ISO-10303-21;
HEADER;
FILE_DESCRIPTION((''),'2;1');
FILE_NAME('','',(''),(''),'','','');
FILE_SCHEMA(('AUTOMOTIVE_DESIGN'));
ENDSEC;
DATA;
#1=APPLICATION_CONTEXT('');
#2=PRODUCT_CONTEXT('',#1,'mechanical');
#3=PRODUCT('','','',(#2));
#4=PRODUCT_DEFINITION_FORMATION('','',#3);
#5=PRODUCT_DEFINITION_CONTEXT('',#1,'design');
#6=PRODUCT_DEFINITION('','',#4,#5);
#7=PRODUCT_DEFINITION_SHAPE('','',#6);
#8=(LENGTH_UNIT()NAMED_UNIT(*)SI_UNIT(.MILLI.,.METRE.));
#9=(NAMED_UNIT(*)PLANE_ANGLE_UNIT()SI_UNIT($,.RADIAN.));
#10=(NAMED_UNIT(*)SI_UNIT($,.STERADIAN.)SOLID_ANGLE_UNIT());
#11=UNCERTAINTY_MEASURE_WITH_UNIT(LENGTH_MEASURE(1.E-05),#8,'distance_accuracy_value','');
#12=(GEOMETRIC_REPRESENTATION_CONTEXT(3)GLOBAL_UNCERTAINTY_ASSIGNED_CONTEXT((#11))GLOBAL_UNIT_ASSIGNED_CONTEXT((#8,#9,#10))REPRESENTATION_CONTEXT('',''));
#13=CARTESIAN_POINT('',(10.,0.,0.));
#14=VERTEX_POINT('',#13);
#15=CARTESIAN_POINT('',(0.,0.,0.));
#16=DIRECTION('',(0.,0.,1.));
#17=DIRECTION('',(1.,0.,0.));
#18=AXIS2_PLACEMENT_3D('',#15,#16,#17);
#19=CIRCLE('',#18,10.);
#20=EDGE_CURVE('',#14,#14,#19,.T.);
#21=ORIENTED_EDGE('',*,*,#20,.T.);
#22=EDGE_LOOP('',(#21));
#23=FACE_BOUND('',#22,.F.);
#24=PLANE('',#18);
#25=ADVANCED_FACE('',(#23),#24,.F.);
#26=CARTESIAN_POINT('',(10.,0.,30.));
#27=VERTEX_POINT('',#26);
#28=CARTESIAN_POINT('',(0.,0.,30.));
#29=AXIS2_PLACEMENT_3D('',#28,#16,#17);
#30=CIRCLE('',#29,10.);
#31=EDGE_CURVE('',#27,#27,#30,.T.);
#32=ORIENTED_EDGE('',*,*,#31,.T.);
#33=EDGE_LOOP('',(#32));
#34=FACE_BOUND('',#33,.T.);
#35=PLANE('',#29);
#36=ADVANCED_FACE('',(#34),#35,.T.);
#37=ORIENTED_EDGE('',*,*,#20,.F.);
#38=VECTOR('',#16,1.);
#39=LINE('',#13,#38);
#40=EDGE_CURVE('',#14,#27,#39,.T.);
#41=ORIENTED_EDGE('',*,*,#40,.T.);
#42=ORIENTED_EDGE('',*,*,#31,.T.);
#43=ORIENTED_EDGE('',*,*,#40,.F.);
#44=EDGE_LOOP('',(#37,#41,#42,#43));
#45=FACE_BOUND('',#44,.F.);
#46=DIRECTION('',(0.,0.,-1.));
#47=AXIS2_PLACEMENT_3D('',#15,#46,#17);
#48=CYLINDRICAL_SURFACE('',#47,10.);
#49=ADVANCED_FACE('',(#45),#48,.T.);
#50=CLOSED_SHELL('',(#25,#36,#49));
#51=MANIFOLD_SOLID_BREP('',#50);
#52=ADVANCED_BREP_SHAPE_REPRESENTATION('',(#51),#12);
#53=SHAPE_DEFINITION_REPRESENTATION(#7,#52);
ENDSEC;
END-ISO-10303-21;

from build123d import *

# Parameters (mm, degrees)
CYLINDER_R     = 10
CYLINDER_DEPTH = 30


with BuildPart() as part:
    # Cylinder → Cylinder (new body)
    with BuildSketch(Plane.XY):
        Circle(CYLINDER_R)
    extrude(amount=CYLINDER_DEPTH)


solid = part.part
